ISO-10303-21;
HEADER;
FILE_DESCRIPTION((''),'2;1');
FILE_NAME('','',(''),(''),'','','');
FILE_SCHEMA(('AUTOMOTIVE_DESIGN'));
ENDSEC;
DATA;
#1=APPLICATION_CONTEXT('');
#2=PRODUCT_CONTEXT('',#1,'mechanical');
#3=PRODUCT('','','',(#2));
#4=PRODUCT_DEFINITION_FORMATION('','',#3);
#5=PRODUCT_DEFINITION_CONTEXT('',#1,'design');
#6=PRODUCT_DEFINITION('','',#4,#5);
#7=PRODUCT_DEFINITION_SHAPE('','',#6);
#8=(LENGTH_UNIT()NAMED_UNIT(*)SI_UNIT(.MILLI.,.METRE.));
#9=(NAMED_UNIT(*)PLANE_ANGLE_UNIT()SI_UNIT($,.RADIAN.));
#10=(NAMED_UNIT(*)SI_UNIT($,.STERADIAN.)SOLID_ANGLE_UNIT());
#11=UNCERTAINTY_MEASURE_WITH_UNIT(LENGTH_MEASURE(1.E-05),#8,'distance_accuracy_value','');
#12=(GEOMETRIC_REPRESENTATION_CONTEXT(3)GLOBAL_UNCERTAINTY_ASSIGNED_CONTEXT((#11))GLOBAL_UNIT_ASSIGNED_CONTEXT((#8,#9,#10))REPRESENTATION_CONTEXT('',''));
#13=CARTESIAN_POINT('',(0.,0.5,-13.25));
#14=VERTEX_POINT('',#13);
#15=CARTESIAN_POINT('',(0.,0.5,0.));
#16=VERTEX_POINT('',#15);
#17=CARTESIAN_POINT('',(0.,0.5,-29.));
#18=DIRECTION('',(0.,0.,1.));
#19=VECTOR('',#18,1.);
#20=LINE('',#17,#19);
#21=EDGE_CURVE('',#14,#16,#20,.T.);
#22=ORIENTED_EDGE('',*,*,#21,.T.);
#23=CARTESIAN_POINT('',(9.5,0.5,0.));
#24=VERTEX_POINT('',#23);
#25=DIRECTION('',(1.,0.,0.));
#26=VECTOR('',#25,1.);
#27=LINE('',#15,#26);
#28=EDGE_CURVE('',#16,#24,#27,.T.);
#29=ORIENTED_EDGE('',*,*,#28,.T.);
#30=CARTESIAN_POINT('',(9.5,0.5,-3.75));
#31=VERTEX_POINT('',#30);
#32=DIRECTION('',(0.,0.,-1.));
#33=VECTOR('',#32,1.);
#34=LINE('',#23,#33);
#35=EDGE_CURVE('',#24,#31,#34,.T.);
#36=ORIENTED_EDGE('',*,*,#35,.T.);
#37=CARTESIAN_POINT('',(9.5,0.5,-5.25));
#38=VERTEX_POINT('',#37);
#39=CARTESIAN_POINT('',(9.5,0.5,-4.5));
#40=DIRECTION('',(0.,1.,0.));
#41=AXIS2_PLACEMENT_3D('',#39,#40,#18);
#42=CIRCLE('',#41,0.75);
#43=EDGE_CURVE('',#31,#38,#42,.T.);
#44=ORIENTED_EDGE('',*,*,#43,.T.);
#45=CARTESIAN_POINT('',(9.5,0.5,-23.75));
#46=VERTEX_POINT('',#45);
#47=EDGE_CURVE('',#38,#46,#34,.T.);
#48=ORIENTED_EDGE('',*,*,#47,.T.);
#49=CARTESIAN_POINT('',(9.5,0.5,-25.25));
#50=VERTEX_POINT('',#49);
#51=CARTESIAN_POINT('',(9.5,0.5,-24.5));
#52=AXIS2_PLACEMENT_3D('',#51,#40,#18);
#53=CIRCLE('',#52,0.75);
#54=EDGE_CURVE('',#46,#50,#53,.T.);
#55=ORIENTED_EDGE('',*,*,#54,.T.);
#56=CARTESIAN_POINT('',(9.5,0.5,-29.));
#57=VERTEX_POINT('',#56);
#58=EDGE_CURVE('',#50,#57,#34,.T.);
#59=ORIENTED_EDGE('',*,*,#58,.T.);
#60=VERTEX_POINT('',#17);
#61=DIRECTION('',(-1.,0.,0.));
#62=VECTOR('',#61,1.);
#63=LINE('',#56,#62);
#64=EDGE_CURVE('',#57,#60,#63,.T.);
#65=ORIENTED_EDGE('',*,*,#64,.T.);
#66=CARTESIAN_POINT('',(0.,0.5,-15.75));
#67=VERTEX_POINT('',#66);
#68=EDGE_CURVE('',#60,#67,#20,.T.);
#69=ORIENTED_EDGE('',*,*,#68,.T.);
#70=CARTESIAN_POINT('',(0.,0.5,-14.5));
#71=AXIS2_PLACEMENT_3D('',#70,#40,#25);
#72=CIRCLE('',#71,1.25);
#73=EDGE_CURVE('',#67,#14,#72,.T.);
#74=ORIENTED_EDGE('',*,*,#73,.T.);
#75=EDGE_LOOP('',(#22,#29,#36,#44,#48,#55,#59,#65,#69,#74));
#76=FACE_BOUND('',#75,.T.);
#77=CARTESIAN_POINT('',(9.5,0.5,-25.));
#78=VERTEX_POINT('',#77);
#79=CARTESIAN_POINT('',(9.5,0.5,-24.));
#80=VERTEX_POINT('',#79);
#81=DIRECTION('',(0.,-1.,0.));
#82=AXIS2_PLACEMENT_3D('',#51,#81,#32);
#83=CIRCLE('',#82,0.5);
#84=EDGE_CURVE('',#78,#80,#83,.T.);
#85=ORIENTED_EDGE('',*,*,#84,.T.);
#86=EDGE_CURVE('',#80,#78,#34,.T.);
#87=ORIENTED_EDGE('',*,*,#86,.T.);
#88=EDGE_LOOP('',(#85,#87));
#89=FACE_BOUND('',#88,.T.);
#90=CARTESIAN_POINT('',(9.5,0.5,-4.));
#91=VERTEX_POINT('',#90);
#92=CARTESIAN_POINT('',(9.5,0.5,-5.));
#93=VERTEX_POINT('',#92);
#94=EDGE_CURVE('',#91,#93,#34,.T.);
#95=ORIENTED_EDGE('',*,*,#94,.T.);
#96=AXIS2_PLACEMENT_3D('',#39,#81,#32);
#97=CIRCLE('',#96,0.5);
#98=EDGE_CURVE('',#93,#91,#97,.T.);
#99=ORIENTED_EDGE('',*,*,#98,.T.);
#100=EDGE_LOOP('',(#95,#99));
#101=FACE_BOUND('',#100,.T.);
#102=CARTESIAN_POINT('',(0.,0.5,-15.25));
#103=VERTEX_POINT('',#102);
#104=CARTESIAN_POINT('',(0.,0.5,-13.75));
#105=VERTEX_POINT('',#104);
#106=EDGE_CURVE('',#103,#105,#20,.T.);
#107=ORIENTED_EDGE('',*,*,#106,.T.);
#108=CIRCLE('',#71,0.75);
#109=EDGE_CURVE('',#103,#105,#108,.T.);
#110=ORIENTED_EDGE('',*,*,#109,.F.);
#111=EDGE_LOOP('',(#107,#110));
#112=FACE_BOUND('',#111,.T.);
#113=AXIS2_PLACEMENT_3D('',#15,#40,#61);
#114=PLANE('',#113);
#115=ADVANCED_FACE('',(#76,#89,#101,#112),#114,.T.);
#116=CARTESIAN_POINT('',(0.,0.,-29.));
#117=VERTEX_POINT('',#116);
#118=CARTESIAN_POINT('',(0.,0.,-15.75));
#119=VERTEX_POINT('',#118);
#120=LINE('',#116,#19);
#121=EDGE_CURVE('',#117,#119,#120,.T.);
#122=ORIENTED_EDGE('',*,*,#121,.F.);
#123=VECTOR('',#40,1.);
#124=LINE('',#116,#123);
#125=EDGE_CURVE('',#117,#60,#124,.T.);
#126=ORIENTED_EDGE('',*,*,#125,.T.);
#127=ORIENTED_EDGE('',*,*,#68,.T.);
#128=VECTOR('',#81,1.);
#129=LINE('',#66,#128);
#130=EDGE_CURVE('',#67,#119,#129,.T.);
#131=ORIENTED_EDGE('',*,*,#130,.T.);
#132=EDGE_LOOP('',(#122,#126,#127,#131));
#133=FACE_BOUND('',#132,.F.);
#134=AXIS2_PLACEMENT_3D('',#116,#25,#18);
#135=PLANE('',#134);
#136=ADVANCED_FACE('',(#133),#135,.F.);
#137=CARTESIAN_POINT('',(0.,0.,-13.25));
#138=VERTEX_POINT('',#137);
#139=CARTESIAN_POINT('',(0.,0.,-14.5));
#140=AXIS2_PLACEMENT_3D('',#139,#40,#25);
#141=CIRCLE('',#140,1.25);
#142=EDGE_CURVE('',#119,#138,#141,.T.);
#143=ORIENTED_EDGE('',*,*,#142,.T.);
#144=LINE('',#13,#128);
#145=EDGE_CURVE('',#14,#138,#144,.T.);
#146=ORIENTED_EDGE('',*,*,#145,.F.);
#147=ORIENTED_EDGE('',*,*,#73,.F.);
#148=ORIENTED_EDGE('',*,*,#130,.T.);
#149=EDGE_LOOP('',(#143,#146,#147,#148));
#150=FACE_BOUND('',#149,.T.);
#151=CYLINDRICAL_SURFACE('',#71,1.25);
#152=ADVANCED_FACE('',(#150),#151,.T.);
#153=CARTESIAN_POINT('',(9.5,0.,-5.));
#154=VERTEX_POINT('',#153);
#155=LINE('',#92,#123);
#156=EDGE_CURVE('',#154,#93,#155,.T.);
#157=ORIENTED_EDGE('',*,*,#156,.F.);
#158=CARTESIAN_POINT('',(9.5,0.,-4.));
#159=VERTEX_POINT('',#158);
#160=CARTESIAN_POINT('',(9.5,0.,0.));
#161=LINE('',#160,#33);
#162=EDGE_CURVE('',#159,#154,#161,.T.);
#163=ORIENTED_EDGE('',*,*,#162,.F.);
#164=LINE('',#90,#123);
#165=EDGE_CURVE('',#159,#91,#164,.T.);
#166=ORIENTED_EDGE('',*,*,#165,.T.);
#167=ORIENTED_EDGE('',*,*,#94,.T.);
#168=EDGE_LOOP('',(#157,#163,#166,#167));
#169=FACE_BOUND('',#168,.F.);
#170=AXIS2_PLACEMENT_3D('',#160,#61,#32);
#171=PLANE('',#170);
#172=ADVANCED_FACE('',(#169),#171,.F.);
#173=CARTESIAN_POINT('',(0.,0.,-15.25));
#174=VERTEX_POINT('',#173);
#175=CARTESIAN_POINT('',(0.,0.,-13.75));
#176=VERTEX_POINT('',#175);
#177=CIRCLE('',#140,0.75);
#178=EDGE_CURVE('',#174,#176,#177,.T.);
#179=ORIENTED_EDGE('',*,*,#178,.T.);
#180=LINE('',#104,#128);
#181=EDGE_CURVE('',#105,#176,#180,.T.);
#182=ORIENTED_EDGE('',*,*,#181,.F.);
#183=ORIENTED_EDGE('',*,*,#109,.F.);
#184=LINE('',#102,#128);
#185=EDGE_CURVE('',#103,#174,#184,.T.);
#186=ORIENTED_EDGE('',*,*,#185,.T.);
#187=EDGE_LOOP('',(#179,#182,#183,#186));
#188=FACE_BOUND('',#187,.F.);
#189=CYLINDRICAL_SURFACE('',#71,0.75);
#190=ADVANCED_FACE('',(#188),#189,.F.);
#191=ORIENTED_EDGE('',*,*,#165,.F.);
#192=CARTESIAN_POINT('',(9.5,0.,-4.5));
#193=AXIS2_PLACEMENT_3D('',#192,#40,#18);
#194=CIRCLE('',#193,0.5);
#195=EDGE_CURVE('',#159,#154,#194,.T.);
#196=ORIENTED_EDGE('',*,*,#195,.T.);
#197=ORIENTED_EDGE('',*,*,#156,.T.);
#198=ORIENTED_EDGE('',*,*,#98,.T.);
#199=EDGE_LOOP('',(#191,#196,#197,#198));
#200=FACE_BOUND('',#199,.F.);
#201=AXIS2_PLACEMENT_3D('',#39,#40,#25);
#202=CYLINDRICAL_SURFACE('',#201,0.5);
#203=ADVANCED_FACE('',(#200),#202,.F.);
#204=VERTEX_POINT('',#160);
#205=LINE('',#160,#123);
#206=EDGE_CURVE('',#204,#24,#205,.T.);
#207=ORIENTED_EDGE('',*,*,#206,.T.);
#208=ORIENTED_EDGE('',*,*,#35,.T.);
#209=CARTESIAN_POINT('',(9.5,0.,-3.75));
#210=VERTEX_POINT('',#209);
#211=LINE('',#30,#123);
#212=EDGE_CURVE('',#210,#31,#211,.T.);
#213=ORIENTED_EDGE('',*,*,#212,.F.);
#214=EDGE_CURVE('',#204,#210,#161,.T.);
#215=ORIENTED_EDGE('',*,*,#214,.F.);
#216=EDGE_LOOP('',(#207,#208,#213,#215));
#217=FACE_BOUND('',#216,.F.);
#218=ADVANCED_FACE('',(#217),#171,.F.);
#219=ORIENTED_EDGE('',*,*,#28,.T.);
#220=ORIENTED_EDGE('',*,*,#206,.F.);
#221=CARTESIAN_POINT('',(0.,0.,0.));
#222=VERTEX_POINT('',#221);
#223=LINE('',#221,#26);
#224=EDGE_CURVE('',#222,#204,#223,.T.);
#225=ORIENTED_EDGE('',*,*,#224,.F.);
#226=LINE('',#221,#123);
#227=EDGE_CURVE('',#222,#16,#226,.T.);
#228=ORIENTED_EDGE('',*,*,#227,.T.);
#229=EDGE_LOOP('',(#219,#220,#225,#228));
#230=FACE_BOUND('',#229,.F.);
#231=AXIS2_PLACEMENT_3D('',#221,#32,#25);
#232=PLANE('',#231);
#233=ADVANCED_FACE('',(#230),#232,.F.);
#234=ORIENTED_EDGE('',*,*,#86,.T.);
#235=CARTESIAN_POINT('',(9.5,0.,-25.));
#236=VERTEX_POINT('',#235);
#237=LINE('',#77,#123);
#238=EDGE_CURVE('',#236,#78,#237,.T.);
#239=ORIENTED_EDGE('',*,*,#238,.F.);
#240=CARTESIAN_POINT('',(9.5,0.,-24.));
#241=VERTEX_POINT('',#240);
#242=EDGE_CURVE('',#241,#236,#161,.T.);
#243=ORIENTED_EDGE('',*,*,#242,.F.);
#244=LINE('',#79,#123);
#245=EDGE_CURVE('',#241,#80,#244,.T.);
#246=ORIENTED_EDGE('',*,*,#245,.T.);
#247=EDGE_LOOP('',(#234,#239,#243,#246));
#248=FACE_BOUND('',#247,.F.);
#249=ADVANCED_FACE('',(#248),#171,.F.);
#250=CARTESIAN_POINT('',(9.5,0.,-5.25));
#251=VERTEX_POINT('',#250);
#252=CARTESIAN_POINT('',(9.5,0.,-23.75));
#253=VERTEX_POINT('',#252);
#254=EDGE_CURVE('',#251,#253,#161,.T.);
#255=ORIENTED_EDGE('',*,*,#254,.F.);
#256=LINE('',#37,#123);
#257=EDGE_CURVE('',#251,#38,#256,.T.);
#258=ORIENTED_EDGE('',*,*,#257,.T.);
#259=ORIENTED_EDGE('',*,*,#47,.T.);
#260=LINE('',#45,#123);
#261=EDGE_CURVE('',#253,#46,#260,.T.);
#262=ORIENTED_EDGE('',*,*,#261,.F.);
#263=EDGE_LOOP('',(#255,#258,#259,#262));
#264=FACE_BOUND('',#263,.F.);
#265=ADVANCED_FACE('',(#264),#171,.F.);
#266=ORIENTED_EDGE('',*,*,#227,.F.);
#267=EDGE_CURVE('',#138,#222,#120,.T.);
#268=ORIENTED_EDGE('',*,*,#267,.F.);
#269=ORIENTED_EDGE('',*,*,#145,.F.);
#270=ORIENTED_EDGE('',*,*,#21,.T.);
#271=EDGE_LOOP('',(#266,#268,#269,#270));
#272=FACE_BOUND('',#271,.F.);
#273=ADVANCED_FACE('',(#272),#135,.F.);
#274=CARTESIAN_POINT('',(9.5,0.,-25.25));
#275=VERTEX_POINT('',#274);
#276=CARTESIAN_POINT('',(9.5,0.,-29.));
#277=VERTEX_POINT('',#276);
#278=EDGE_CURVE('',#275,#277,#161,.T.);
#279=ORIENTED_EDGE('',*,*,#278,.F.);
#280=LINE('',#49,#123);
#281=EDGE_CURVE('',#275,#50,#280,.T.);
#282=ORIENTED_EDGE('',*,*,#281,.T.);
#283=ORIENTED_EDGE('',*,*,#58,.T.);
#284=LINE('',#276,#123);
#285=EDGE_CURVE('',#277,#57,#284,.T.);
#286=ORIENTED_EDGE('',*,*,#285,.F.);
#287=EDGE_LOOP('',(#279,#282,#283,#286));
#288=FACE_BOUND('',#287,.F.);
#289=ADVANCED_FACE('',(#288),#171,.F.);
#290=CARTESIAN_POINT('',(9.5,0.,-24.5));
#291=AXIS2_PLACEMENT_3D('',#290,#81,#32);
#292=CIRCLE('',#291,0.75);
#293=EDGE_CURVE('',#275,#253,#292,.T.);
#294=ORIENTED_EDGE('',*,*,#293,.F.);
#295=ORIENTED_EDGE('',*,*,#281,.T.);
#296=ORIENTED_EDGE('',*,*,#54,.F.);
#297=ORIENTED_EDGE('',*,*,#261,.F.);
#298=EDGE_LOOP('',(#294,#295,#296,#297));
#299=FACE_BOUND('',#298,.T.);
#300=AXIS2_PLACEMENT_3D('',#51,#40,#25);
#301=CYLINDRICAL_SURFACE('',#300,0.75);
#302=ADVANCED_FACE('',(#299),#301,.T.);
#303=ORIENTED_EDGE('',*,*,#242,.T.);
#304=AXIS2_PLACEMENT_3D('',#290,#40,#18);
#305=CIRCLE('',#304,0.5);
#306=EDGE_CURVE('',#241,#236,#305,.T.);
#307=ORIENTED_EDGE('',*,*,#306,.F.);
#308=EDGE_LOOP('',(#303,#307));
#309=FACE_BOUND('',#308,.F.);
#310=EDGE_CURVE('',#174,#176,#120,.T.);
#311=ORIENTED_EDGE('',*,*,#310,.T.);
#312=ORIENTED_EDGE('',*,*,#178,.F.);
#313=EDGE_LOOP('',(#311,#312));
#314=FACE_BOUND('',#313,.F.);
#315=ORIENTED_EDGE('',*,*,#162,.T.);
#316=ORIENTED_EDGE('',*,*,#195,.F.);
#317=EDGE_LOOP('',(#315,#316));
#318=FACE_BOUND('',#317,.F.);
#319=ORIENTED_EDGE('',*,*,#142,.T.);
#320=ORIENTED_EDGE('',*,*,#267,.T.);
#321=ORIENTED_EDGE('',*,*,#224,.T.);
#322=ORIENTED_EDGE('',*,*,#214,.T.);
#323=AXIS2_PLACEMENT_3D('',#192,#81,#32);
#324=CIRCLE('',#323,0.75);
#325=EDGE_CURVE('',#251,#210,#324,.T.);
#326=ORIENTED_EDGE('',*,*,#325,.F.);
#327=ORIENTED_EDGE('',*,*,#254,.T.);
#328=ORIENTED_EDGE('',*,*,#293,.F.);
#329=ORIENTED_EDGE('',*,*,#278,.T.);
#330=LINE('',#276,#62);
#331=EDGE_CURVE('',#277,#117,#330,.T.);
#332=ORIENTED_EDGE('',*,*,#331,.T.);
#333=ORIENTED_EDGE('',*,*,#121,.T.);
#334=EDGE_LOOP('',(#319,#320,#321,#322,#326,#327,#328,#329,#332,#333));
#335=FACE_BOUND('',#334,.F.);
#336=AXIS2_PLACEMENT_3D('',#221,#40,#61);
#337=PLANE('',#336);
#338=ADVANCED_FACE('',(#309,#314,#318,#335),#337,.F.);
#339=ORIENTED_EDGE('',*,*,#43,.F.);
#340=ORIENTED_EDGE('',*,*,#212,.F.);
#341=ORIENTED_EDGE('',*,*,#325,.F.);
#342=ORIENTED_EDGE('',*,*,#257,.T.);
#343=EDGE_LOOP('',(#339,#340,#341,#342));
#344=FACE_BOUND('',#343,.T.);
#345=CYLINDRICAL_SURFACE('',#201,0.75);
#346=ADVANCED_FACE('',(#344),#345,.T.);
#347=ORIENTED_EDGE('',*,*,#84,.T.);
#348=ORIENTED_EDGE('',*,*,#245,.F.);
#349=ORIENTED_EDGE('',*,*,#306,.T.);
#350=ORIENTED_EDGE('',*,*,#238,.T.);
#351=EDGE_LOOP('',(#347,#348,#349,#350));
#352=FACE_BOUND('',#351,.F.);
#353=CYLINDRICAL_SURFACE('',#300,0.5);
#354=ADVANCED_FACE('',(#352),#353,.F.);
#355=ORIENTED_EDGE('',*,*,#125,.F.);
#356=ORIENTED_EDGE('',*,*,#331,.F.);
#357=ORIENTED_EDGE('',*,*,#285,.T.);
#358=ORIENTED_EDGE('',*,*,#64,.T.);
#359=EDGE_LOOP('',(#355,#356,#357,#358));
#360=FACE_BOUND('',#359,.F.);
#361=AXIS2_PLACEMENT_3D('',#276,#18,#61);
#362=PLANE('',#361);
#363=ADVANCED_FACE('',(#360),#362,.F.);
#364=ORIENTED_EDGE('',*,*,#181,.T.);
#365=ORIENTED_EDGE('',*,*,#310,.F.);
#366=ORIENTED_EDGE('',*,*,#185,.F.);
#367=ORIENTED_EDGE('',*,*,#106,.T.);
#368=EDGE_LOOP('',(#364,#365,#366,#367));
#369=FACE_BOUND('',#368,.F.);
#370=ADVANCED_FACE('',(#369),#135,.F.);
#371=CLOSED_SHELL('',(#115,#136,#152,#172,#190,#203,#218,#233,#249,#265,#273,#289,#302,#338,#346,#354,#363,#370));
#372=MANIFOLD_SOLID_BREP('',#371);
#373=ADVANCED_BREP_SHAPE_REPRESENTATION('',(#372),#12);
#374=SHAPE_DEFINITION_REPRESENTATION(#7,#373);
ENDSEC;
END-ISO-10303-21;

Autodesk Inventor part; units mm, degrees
ref_plane "YZ Plane" through (0, 0, 0) normal (1, 0, 0) x (0, 1, 0)
ref_plane "XZ Plane" through (0, 0, 0) normal (0, 1, 0) x (-1, 0, 0)
ref_plane "XY Plane" through (0, 0, 0) normal (0, 0, 1) x (1, 0, 0)
sketch "Sketch1" plane through (0, 0, 0) normal (0, 1, 0) x (-1, 0, 0)
  line L0 (0, 0) -> (-9.5, 0)
  line L1 (-9.5, 0) -> (-9.5, -29)
  line L2 (-9.5, -29) -> (0, -29)
  line L3 (0, -29) -> (0, 0)
  dimension "d0" = 9.5
  dimension "d1" = 29
extrude "Extrusion1" add sketch "Sketch1" along normal blind 0.5
sketch "Sketch3" plane through (0, 0.5, 0) normal (0, 1, 0) x (1, 0, 0)
  circle A0 centre (9.5, 24.5) radius 0.75
  circle A1 centre (9.5, 24.5) radius 0.5
  circle A2 centre (9.5, 4.5) radius 0.75
  circle A3 centre (9.5, 4.5) radius 0.5
  point P0 (0, 0)
  point P1 (9.5, 0)
  point P2 (9.5, 29)
  dimension "d6" = 1.5
  dimension "d7" = 1
  dimension "d8" = 1.5
  dimension "d9" = 1
extrude "Extrusion2" add sketch "Sketch3" against normal blind 0.5
sketch "Sketch4" plane through (0, 0.5, 0) normal (0, 1, 0) x (1, 0, 0)
  line L0 (0, 29) -> (0, 0) projected
  line L1 (0, 29) -> (0, 14.5)
  circle A0 centre (0, 14.5) radius 1.25
  circle A1 centre (0, 14.5) radius 0.75
  point P0 (0, 13.75)
  point P1 (0, 15.25)
  point P2 (0, 15.75)
  point P3 (0, 13.25)
  dimension "d12" = 14.5
  dimension "d13" = 2.5
  dimension "d14" = 1.5
extrude "Extrusion3" add sketch "Sketch4" against normal blind 0.5 contours L0 A1 A0 picked at (-1.0514, 14.2719)
properties part number "Shelf"
